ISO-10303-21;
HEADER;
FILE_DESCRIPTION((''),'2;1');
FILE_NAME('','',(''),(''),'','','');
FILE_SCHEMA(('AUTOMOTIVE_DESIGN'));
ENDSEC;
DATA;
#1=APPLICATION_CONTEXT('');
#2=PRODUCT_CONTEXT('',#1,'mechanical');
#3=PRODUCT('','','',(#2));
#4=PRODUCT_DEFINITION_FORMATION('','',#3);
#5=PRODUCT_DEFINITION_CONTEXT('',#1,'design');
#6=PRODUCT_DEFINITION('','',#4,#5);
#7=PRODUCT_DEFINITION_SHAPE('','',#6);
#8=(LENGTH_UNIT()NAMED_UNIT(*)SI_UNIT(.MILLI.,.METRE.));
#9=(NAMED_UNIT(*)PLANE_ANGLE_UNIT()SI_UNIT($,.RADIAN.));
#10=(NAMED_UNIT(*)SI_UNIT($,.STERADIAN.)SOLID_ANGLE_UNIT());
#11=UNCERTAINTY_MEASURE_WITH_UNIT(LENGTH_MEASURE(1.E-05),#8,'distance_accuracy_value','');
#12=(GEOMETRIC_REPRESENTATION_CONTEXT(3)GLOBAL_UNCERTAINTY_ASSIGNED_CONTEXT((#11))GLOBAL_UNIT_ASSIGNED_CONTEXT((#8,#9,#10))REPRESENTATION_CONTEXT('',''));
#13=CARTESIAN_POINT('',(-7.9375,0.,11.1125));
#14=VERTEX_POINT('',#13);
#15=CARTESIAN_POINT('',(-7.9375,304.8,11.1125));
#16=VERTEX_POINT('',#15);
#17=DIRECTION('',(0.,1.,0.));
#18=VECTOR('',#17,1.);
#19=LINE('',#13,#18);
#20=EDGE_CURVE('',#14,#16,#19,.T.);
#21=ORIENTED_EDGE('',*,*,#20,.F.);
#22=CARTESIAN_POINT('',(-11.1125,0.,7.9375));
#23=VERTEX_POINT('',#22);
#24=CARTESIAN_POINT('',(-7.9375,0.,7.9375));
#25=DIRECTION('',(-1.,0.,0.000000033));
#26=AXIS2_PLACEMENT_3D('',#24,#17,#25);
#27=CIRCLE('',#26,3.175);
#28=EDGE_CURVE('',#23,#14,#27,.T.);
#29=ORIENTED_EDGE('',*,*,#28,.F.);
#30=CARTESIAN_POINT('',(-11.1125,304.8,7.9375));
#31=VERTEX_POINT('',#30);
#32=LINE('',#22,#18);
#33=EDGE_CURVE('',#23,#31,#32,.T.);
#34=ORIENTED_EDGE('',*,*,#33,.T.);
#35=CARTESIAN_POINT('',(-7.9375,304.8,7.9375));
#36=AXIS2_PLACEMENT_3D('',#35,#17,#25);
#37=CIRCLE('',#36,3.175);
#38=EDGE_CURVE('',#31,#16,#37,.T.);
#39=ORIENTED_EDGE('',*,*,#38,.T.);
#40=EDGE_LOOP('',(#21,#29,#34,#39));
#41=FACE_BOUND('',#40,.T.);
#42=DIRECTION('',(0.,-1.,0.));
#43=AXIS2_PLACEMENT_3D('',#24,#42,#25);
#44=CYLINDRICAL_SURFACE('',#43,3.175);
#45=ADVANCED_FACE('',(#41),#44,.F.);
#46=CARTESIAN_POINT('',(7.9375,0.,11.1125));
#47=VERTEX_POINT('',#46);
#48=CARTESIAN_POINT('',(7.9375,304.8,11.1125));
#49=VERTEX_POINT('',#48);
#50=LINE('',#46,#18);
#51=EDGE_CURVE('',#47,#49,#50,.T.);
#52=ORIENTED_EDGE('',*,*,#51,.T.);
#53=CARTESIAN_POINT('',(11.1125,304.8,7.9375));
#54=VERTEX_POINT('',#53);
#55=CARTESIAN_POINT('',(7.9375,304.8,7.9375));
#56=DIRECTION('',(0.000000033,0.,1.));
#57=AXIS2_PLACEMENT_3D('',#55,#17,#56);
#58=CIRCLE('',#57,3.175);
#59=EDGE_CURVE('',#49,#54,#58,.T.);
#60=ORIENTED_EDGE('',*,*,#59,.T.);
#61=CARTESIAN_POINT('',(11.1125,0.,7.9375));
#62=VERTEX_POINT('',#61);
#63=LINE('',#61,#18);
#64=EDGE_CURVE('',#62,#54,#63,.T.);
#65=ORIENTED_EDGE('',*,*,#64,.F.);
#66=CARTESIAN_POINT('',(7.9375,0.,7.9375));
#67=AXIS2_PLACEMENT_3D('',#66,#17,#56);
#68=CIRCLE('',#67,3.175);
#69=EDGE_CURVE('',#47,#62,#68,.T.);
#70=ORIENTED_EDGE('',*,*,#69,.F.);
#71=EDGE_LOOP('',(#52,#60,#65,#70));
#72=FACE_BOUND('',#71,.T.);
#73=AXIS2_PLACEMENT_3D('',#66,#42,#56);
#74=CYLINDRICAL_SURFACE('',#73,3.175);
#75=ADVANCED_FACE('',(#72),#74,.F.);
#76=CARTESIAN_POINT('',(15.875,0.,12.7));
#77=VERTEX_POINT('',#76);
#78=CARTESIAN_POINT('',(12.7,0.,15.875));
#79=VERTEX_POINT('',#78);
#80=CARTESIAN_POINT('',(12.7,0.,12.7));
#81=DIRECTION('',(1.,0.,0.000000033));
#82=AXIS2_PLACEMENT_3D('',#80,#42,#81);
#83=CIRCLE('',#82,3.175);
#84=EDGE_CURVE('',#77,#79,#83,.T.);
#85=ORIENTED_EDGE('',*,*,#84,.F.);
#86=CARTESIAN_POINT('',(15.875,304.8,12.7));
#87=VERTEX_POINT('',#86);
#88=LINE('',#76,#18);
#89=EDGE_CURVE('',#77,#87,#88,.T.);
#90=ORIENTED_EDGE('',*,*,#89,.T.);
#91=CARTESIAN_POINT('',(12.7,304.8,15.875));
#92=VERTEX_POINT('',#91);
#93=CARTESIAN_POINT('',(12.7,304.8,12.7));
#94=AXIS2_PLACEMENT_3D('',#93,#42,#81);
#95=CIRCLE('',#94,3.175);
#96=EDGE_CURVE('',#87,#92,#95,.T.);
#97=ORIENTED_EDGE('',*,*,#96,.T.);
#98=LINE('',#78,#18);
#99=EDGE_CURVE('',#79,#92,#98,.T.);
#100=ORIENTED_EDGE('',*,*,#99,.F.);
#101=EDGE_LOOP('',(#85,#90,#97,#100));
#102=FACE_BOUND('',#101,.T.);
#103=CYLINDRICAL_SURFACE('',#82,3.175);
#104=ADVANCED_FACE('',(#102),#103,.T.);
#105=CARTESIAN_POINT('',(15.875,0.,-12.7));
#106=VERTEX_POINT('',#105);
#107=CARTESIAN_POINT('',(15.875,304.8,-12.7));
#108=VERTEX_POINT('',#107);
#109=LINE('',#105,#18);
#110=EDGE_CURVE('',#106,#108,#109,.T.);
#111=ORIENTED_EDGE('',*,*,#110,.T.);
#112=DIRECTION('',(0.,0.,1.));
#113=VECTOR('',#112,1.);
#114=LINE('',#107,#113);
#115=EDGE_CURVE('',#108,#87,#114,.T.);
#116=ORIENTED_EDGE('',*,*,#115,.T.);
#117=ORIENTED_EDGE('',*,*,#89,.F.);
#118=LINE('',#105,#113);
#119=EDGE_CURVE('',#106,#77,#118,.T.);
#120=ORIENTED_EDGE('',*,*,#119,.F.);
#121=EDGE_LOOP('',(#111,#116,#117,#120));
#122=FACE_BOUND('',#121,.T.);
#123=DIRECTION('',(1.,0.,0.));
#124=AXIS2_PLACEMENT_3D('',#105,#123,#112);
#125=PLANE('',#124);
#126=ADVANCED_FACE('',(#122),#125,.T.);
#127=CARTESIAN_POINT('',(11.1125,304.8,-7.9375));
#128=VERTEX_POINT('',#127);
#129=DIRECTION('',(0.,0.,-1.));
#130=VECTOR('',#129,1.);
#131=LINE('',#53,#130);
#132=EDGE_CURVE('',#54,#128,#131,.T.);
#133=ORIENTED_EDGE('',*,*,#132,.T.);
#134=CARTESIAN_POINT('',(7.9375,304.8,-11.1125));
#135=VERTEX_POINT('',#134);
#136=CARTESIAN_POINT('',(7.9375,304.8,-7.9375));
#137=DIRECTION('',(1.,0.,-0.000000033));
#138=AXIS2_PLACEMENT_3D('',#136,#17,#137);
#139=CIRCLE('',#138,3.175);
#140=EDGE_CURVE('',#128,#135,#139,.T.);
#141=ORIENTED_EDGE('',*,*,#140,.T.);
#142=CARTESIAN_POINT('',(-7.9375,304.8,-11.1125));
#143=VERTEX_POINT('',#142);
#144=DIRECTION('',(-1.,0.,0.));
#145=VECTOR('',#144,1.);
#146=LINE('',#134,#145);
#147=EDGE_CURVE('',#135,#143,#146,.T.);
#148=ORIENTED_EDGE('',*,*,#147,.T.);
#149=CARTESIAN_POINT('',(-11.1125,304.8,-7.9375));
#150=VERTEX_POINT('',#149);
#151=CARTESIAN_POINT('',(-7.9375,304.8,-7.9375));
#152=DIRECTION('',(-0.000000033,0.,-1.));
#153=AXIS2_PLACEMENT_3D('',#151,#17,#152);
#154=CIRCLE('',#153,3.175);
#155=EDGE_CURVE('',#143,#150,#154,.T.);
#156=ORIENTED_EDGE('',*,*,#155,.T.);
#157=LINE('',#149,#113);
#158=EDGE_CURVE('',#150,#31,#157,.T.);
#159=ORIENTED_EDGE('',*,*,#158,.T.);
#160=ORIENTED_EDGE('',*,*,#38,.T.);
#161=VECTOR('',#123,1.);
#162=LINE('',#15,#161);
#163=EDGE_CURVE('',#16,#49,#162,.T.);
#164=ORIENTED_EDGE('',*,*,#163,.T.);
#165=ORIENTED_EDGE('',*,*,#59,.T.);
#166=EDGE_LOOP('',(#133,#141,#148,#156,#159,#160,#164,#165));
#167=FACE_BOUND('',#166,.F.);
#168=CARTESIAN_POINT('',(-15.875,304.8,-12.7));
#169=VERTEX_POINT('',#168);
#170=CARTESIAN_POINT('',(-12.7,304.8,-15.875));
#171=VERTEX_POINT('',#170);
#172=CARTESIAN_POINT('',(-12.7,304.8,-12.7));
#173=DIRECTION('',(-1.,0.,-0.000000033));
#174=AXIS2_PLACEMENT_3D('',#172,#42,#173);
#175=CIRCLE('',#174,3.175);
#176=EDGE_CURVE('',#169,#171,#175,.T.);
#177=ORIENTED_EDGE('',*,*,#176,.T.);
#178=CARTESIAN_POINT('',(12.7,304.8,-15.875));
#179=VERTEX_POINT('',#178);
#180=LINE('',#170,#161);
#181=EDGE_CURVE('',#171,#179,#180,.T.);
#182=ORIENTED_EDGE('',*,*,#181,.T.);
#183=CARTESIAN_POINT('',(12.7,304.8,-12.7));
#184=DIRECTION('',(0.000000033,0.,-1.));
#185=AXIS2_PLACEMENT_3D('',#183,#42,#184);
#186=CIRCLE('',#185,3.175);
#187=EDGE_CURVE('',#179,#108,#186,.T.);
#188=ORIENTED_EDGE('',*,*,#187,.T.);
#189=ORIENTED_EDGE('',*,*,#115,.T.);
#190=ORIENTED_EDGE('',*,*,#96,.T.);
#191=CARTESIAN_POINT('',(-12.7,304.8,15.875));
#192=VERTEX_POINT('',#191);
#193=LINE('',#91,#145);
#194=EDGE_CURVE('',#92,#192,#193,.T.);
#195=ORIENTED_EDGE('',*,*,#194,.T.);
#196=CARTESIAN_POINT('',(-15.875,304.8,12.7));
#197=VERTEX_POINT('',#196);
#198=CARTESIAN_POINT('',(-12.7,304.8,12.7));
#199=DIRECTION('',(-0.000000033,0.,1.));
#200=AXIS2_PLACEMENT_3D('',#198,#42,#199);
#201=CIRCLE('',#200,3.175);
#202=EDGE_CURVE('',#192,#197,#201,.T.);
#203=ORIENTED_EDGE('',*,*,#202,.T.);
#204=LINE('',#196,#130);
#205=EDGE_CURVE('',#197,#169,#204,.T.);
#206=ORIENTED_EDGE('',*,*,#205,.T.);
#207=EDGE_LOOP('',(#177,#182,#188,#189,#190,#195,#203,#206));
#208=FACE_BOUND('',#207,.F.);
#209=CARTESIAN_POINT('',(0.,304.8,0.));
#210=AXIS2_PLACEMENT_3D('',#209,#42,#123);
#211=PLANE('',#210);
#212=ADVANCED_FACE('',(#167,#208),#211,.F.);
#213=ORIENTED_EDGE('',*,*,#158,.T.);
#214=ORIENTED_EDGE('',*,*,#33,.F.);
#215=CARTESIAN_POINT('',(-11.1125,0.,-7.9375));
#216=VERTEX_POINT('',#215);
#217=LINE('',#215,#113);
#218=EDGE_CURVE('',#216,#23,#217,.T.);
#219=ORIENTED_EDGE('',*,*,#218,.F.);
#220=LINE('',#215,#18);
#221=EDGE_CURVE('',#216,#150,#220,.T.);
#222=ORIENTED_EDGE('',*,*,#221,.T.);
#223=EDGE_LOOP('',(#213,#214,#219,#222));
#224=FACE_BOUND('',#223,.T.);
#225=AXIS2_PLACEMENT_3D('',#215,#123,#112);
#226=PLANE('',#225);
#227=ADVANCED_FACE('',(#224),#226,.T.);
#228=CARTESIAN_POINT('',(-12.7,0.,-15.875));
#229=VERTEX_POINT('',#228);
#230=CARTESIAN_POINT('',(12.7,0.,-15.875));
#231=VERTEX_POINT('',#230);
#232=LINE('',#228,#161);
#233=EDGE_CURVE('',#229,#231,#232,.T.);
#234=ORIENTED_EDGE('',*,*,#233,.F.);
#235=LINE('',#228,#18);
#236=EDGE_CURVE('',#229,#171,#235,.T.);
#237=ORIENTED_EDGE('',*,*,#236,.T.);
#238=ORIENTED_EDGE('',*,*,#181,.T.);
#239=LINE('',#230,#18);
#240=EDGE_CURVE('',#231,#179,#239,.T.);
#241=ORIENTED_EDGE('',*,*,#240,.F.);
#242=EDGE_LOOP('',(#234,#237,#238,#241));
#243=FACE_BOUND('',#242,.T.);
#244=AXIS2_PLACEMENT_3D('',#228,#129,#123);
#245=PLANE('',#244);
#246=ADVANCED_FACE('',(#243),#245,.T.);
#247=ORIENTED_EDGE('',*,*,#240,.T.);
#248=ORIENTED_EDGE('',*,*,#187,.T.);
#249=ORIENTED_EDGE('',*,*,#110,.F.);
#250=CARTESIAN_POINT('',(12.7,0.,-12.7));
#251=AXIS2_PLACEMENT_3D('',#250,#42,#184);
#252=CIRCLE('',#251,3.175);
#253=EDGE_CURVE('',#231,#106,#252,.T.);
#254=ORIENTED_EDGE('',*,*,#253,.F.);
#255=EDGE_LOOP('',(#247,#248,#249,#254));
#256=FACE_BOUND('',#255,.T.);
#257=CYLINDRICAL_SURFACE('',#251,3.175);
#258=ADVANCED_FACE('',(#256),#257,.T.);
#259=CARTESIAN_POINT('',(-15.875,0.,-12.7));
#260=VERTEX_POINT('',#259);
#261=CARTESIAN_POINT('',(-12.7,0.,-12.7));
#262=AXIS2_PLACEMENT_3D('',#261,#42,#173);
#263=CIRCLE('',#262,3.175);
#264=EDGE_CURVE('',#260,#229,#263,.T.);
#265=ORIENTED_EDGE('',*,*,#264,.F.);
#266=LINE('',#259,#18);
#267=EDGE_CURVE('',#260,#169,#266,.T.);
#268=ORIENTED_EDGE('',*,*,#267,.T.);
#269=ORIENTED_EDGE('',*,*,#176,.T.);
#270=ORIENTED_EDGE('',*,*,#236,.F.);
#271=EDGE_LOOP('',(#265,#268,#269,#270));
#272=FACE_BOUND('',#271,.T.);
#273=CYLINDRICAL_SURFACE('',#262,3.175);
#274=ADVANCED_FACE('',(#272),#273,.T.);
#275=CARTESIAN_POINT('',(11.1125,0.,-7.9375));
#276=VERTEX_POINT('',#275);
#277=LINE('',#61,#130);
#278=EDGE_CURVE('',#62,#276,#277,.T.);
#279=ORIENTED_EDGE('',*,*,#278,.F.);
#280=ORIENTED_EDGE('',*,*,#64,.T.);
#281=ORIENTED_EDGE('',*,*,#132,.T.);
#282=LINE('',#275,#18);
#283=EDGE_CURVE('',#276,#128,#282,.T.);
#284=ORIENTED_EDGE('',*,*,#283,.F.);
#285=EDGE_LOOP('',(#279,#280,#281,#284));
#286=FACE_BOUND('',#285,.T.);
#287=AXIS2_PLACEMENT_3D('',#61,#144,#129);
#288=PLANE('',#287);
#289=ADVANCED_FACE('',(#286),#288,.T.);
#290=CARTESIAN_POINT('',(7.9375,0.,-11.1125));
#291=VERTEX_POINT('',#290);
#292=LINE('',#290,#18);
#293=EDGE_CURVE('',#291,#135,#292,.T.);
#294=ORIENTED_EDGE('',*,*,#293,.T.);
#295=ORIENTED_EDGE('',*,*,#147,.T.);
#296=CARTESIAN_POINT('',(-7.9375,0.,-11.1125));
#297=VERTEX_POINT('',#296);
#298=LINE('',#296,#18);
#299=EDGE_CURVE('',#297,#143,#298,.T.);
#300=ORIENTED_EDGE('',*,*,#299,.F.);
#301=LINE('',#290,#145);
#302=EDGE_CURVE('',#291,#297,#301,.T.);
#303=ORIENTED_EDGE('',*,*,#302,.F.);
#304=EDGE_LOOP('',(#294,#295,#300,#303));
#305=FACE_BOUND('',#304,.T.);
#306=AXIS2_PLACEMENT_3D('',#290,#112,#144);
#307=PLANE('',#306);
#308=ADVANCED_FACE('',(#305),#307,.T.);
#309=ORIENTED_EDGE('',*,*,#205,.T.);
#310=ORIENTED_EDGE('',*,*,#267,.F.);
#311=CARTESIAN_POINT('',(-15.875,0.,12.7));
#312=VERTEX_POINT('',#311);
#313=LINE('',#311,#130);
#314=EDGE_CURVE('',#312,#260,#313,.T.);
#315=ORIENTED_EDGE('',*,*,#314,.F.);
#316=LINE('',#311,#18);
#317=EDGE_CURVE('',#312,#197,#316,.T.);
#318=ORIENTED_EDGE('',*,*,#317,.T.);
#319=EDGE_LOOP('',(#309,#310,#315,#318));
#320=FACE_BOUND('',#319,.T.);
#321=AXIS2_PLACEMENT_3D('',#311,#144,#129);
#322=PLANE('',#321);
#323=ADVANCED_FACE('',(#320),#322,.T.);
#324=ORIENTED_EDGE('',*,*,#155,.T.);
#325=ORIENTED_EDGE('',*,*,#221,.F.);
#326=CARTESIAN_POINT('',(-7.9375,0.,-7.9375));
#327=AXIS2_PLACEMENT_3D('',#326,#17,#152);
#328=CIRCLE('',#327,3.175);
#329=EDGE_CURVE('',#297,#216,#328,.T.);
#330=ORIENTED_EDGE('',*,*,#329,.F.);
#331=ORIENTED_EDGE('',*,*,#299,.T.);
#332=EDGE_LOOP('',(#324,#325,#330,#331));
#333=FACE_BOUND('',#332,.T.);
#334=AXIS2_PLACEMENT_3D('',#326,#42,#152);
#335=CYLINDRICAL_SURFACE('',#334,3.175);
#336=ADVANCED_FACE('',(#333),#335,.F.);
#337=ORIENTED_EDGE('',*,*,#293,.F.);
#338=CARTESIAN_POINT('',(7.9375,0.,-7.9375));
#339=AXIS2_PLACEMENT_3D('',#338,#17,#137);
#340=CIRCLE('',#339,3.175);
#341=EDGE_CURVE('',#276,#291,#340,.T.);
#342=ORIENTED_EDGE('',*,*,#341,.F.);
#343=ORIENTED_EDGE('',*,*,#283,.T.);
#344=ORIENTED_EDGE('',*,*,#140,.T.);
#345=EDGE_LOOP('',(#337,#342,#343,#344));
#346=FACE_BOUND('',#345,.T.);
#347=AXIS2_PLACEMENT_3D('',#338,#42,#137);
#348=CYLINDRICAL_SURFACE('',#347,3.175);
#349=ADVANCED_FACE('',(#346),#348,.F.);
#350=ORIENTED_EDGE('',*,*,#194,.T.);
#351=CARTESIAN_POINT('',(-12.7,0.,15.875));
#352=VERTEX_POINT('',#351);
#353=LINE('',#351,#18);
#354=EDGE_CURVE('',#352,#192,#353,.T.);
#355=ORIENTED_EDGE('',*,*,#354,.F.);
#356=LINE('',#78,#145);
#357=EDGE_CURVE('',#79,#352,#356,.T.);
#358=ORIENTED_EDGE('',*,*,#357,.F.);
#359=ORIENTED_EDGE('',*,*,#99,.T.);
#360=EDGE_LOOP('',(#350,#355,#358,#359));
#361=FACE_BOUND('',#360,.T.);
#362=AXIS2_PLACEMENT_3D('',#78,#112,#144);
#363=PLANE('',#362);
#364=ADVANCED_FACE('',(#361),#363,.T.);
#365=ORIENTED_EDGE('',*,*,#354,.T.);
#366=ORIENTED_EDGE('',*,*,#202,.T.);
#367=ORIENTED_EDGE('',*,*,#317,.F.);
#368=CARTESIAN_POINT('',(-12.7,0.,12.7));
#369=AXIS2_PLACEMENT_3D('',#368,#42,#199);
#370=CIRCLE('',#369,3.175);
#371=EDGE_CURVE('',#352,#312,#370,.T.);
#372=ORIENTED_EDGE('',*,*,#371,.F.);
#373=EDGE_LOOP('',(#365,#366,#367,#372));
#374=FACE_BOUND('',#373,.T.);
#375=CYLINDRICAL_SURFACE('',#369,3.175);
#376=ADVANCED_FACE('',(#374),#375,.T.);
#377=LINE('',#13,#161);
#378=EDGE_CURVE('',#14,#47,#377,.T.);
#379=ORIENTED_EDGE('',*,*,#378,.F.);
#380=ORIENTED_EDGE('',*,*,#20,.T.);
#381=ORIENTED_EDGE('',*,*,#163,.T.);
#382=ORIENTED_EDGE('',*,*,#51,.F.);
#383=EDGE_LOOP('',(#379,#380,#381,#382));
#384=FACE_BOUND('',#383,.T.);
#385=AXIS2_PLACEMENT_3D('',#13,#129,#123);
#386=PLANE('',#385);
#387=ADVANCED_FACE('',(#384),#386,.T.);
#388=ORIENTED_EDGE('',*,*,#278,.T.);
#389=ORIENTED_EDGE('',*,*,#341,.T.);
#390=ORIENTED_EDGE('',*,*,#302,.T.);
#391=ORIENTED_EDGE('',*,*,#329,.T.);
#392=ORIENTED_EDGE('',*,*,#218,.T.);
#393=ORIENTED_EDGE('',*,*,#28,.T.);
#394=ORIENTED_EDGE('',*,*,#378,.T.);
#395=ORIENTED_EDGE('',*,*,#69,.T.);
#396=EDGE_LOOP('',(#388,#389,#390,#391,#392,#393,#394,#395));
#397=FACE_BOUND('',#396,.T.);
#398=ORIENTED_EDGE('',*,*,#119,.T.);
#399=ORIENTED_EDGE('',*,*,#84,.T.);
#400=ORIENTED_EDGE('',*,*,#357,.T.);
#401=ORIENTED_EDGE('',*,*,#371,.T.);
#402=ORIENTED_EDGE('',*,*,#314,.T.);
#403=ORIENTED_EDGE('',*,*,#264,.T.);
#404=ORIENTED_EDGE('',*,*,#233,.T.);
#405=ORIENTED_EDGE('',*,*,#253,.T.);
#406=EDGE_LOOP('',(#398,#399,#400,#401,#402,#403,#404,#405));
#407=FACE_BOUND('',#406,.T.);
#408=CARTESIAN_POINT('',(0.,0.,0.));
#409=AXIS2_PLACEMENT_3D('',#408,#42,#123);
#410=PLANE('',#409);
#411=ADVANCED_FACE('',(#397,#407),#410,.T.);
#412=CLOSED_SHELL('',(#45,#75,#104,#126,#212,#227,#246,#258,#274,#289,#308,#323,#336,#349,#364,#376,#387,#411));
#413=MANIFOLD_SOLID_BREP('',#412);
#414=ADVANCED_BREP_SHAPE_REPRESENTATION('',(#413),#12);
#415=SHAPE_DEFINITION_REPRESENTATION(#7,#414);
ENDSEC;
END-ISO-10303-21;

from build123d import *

# Parameters (mm, degrees)
F1_DEPTH = 304.8


with BuildPart() as f1:
    # F0 (on Front) → F1 (new body)
    with BuildSketch(Plane.XZ):
        with BuildLine():
            ThreePointArc((15.875, 12.7), (14.945064, 14.945064), (12.7, 15.875))
            Line((12.7, 15.875), (-12.7, 15.875))
            ThreePointArc((-12.7, 15.875), (-14.945064, 14.945064), (-15.875, 12.7))
            Line((-15.875, 12.7), (-15.875, -12.7))
            ThreePointArc((-15.875, -12.7), (-14.945064, -14.945064), (-12.7, -15.875))
            Line((-12.7, -15.875), (12.7, -15.875))
            ThreePointArc((12.7, -15.875), (14.945064, -14.945064), (15.875, -12.7))
            Line((15.875, -12.7), (15.875, 12.7))
        make_face()
        with BuildLine():
            Line((-7.9375, 11.1125), (7.9375, 11.1125))
            ThreePointArc((7.9375, 11.1125), (10.182564, 10.182564), (11.1125, 7.9375))
            Line((11.1125, 7.9375), (11.1125, -7.9375))
            ThreePointArc((11.1125, -7.9375), (10.182564, -10.182564), (7.9375, -11.1125))
            Line((7.9375, -11.1125), (-7.9375, -11.1125))
            ThreePointArc((-7.9375, -11.1125), (-10.182564, -10.182564), (-11.1125, -7.9375))
            Line((-11.1125, -7.9375), (-11.1125, 7.9375))
            ThreePointArc((-11.1125, 7.9375), (-10.182564, 10.182564), (-7.9375, 11.1125))
        make_face(mode=Mode.SUBTRACT)
    extrude(amount=-F1_DEPTH)


solid = f1.part
